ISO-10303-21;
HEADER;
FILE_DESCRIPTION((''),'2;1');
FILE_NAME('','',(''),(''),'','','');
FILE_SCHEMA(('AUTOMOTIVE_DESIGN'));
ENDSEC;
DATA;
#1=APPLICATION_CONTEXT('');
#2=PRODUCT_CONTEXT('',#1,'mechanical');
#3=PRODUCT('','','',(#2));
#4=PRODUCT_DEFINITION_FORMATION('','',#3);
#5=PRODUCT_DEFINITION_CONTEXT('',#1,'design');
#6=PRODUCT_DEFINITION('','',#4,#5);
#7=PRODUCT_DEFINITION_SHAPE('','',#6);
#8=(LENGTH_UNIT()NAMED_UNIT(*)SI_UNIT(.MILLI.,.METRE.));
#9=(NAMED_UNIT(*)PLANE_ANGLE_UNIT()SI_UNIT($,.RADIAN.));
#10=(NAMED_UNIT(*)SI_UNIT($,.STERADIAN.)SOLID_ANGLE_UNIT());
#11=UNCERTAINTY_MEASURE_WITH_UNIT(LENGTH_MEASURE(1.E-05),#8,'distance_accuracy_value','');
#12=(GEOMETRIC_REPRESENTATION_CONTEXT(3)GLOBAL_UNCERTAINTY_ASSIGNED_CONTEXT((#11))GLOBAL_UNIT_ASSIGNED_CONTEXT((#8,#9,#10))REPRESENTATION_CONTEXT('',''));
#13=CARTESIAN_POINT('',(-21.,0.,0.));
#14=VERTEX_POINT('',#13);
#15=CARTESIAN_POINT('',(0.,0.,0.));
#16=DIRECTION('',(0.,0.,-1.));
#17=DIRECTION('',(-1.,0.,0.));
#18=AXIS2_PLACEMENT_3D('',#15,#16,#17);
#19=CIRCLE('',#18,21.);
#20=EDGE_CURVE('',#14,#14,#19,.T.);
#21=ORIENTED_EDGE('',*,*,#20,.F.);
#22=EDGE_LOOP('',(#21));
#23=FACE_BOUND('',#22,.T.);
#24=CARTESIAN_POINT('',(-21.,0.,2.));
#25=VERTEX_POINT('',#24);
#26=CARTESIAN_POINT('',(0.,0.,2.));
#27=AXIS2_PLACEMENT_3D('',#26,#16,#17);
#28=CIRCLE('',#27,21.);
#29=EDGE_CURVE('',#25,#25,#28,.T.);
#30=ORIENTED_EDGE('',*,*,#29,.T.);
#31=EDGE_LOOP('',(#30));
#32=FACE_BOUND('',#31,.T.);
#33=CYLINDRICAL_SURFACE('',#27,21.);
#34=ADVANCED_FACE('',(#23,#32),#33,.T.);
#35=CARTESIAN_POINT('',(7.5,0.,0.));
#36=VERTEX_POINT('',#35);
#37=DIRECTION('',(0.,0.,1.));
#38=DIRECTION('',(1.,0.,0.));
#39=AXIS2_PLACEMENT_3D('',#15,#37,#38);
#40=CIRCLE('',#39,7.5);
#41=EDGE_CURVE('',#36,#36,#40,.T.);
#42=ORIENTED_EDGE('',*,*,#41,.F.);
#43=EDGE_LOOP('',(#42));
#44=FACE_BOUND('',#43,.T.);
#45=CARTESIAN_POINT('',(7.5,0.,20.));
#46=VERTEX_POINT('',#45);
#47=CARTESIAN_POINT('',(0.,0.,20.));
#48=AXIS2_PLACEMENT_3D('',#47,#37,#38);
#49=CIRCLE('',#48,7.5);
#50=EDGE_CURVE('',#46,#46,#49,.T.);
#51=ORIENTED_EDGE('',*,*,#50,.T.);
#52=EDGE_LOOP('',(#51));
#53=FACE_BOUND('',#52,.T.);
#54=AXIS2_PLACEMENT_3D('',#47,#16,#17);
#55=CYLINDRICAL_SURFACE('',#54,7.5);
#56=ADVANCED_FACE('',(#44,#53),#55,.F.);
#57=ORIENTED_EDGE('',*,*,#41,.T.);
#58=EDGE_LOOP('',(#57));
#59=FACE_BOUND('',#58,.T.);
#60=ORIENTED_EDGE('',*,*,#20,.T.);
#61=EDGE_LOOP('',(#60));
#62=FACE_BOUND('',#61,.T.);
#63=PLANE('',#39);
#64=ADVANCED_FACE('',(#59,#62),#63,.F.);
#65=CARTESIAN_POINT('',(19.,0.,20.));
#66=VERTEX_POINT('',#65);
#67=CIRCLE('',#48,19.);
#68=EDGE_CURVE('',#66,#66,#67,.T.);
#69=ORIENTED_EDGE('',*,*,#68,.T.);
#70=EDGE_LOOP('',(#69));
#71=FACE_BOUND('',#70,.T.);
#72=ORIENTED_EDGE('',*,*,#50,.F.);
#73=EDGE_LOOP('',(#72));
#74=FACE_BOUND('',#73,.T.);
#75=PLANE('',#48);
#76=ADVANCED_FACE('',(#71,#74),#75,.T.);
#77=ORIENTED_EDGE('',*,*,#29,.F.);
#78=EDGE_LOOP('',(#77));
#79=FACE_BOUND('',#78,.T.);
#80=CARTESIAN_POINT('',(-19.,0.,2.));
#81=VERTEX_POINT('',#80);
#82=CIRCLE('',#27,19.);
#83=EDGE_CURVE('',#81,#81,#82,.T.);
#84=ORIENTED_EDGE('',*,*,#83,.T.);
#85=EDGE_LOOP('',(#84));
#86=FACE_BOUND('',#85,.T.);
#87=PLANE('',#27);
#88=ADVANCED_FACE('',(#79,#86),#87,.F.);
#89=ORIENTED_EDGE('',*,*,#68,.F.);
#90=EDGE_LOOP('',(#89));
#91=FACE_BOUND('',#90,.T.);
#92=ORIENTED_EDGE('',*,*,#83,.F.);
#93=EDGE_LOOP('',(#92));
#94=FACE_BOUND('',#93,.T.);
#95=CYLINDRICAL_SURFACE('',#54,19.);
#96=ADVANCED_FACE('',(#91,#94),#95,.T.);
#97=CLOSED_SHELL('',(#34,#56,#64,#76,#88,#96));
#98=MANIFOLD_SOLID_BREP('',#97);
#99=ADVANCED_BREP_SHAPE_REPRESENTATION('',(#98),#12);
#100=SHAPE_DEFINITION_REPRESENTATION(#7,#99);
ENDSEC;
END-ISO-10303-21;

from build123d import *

# Parameters (mm, degrees)
SKETCH_1_R      = 19
SKETCH_1_R_2    = 7.5
EXTRUDE_1_DEPTH = 20
SKETCH_2_R      = 21
SKETCH_2_R_2    = 19
EXTRUDE_2_DEPTH = 2


with BuildPart() as part:
    # 草图1 → 凸台-拉伸1 (new body)
    with BuildSketch(Plane.XY):
        Circle(SKETCH_1_R)
        Circle(SKETCH_1_R_2, mode=Mode.SUBTRACT)
    extrude(amount=EXTRUDE_1_DEPTH)

    # 草图2 → 凸台-拉伸2 (add)
    with BuildSketch(Plane(origin=(0, 0, 0), x_dir=(-1, 0, 0), z_dir=(0, 0, -1))):
        Circle(SKETCH_2_R)
        Circle(SKETCH_2_R_2, mode=Mode.SUBTRACT)
    extrude(amount=-EXTRUDE_2_DEPTH)


solid = part.part
